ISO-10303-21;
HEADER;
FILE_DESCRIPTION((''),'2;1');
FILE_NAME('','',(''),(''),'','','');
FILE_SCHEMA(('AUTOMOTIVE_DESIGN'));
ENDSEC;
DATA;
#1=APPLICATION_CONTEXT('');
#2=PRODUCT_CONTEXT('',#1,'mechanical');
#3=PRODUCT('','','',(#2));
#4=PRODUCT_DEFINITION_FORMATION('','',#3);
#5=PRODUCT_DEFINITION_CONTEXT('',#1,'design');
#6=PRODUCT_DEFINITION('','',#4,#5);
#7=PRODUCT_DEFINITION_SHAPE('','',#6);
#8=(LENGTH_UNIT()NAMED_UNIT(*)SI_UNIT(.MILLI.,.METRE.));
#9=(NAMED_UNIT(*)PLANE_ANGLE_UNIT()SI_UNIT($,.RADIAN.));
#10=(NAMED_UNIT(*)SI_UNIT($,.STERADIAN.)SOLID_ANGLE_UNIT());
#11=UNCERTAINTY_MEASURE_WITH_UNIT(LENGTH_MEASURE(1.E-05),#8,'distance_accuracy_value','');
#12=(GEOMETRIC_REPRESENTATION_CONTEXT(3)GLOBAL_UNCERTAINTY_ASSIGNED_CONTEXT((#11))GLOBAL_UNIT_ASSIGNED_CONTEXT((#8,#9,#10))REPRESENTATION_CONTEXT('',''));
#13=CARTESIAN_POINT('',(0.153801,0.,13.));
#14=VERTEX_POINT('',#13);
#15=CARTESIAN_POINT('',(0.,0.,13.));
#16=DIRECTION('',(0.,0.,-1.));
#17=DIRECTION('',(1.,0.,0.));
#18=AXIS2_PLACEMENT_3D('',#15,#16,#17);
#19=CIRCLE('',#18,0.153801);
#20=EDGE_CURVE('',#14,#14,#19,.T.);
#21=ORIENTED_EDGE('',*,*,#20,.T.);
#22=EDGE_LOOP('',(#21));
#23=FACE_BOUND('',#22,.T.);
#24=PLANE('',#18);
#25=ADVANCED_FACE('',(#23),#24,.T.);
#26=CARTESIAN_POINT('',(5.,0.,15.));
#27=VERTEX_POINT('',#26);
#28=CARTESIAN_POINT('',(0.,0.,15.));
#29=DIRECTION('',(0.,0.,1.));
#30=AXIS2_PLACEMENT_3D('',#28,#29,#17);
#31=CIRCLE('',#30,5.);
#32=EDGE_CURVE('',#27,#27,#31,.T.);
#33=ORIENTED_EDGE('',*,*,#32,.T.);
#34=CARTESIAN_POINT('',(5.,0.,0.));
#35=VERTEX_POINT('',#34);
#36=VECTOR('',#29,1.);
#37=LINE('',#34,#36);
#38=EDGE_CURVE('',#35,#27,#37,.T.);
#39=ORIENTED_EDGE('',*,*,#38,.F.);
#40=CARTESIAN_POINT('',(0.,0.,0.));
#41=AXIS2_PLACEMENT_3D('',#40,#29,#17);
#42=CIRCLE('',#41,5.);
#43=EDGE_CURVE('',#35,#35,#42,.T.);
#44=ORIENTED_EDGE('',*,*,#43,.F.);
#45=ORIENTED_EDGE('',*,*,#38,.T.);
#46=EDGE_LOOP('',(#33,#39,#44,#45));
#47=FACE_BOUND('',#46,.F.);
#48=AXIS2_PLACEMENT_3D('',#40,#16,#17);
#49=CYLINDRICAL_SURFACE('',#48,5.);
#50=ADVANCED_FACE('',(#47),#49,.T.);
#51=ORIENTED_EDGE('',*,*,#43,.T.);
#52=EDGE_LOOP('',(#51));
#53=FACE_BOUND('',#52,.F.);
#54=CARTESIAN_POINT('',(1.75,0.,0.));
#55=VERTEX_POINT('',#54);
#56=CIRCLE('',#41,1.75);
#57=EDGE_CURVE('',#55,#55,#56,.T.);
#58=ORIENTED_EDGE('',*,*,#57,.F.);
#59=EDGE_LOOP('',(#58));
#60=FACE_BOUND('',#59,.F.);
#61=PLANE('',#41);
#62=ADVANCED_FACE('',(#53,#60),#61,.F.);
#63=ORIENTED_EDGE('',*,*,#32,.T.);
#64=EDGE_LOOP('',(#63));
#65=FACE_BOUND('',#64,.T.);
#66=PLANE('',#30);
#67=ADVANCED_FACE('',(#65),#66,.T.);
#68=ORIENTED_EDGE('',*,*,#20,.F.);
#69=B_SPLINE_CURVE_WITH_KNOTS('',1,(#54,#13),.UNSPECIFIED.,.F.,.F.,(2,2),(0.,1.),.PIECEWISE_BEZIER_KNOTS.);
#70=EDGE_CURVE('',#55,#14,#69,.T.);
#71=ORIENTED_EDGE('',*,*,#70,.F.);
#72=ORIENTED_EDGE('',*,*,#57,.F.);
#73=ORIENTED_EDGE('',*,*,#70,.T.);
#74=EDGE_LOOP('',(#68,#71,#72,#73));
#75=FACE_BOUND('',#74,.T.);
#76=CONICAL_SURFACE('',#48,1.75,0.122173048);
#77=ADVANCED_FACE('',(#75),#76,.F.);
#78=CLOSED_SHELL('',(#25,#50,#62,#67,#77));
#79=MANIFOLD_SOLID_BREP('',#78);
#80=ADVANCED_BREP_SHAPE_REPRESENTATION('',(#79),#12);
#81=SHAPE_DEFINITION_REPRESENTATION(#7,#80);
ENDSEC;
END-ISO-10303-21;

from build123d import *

# Parameters (mm, degrees)
F0_R     = 5
F1_DEPTH = 15
F2_R     = 1.75
F3_DEPTH = 13
F3_TAPER = 7


with BuildPart() as f1:
    # F0 (on Top) → F1 (new body)
    with BuildSketch(Plane.XY):
        Circle(F0_R)
    extrude(amount=F1_DEPTH)

    # F2 (on face) → F3 (cut)
    with BuildSketch(Plane(origin=(0, 0, 0), x_dir=(1, 0, 0), z_dir=(0, 0, -1))):
        Circle(F2_R)
    extrude(amount=-F3_DEPTH, taper=F3_TAPER, mode=Mode.SUBTRACT)


solid = f1.part
